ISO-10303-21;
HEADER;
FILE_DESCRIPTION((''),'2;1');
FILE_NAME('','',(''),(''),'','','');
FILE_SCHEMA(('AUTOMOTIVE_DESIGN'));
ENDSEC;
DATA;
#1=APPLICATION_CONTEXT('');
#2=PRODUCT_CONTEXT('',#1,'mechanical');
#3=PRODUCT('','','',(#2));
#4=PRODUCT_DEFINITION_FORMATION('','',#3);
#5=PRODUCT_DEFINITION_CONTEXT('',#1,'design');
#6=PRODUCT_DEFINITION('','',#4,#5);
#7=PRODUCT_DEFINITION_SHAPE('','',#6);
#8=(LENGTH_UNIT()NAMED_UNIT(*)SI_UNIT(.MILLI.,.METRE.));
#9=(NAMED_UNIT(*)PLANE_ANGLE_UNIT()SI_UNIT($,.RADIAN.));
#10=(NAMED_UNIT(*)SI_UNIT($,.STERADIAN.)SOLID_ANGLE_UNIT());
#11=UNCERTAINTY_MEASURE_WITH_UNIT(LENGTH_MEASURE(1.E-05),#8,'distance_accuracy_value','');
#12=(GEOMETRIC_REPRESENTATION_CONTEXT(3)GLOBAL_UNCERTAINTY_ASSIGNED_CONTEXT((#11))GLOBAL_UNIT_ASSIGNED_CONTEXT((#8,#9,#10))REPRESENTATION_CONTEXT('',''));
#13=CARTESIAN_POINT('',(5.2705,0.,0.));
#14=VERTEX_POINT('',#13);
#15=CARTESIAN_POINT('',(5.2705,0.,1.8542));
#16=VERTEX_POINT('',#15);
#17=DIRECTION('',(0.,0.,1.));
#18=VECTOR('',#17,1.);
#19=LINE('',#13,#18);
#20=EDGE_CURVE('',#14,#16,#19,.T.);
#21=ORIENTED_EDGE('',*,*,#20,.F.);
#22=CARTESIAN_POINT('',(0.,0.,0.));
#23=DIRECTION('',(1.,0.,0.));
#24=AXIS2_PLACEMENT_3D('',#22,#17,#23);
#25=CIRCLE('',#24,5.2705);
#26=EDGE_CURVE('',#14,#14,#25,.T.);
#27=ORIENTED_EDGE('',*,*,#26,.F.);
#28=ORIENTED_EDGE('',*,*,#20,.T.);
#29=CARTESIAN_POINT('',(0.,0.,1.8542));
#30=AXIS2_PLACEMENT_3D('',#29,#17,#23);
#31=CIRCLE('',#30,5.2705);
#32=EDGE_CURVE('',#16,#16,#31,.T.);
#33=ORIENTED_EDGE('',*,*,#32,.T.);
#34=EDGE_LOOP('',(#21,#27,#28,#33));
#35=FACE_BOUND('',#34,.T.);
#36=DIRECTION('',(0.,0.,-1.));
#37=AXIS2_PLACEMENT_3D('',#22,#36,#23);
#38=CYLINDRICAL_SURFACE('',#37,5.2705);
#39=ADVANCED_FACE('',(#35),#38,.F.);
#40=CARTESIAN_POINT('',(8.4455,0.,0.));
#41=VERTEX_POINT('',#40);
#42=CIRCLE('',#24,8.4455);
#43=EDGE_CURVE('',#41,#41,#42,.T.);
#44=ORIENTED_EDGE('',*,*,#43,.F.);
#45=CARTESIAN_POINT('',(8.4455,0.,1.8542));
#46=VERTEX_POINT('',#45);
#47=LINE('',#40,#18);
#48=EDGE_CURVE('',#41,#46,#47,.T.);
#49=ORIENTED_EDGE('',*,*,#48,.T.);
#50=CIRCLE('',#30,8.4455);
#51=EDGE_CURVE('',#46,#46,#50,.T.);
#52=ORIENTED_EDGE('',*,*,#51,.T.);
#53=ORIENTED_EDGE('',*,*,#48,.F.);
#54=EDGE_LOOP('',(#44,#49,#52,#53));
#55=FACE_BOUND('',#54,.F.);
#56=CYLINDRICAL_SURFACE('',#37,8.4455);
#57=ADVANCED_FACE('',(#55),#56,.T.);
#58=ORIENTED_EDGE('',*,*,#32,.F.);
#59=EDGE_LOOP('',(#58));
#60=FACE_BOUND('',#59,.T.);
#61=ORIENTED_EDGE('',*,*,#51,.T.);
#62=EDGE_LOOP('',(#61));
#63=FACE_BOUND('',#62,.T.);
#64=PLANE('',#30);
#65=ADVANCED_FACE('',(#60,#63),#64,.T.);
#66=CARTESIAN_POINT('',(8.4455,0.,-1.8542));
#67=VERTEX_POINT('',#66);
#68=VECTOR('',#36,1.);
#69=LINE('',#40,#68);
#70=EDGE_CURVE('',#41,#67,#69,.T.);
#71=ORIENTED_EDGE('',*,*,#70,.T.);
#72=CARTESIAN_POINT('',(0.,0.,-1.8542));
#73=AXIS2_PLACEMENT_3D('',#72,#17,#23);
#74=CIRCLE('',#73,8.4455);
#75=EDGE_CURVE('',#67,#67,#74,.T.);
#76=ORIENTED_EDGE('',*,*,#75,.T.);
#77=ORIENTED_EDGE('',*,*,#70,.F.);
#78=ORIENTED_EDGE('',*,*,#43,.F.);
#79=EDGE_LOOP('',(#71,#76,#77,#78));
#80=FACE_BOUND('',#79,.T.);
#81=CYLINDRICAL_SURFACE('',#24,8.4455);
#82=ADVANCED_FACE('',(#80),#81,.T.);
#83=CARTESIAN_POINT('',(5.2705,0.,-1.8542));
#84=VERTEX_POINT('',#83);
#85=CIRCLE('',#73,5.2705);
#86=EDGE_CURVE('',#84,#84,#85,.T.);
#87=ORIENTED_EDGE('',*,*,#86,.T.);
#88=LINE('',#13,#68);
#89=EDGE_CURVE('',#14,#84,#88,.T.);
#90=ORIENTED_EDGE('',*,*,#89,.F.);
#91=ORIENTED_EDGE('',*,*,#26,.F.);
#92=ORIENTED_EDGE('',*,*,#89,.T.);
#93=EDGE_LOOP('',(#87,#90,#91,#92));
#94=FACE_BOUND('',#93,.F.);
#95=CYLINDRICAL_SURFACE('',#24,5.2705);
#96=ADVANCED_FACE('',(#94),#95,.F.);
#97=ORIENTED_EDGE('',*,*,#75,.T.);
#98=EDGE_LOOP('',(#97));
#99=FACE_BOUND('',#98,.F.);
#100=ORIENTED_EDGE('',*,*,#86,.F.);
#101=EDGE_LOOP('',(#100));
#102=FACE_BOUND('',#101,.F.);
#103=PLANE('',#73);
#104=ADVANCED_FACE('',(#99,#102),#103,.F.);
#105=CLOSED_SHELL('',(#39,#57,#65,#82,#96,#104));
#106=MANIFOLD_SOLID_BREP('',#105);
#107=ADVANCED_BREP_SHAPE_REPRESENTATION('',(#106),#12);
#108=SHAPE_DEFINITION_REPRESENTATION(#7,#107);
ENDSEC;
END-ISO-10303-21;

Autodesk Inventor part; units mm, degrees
ref_plane "YZ Plane" through (0, 0, 0) normal (1, 0, 0) x (0, 1, 0)
ref_plane "XZ Plane" through (0, 0, 0) normal (0, 1, 0) x (-1, 0, 0)
ref_plane "XY Plane" through (0, 0, 0) normal (0, 0, 1) x (1, 0, 0)
sketch "Sketch1" plane through (0, 0, 0) normal (0, 0, 1) x (1, 0, 0)
  circle A0 centre (0, 0) radius 5.2705
  circle A1 centre (0, 0) radius 8.4455
  dimension "d0" = 10.541
  dimension "d1" = 3.175
extrude "Extrusion1" add sketch "Sketch1" along normal mid plane 3.7084
properties part number "GP5-022" material "ABS Plastic"
